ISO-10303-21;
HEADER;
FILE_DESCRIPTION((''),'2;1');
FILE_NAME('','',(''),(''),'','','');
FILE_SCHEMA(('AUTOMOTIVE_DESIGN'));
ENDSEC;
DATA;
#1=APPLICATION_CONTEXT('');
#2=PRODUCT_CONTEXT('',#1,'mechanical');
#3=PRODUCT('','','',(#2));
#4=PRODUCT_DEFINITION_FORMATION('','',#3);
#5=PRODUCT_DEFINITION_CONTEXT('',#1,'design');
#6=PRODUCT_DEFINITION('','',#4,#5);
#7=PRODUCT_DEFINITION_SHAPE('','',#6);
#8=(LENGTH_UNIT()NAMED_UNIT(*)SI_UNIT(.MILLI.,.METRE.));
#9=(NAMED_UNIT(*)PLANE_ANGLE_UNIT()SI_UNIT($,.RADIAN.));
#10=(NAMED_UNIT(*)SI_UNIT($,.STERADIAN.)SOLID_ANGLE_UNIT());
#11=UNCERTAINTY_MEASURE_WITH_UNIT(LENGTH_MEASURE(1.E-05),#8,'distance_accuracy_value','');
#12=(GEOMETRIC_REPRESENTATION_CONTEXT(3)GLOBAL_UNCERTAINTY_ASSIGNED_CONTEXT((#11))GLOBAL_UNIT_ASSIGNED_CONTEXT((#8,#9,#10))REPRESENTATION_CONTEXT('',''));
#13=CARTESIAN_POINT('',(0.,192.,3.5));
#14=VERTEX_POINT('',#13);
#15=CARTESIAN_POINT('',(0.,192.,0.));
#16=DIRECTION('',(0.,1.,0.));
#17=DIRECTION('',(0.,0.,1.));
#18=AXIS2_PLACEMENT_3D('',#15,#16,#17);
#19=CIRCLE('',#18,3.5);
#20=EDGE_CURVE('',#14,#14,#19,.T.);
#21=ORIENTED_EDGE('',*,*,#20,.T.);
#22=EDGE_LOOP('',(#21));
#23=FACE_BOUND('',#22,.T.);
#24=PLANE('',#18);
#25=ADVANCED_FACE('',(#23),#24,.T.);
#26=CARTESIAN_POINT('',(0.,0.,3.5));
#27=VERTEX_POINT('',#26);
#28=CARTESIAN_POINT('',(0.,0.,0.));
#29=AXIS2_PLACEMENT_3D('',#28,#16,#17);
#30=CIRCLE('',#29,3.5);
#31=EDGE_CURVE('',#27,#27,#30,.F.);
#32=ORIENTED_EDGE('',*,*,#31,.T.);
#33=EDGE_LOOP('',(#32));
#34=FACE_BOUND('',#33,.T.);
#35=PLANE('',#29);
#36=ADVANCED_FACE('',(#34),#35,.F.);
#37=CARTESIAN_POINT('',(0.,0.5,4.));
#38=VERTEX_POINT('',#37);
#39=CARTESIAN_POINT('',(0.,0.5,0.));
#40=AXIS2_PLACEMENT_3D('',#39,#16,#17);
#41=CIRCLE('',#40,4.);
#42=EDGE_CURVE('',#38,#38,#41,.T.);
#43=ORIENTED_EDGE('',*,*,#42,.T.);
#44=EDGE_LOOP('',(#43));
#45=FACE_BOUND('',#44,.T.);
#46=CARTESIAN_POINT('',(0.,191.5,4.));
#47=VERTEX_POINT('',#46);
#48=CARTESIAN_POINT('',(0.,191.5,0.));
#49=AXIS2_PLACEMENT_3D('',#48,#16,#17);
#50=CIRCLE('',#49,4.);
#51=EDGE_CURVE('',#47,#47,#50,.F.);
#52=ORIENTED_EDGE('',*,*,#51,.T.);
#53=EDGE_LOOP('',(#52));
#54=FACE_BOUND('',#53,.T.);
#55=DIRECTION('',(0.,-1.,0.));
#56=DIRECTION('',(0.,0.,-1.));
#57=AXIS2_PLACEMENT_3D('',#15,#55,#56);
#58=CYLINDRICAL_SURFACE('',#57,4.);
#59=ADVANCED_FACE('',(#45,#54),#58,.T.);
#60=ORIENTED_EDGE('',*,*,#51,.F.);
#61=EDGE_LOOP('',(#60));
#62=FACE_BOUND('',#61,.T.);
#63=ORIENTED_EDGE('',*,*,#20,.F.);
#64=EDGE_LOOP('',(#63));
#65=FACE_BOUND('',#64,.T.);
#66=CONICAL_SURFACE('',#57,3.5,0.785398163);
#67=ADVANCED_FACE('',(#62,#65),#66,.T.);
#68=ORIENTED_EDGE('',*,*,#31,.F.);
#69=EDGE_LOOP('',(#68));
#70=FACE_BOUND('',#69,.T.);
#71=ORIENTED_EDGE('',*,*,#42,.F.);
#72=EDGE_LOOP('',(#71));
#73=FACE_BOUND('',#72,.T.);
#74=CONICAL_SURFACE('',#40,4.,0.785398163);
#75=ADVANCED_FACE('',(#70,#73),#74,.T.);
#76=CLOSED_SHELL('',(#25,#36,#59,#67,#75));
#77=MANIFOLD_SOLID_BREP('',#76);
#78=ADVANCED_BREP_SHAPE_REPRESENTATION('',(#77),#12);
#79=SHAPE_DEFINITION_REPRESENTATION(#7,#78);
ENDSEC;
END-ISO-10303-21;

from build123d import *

# Parameters (mm, degrees)
SKETCH1_R           = 4
BOSS_EXTRUDE1_DEPTH = 192
CHAMFER1_SIZE       = 0.5


with BuildPart() as part:
    # Sketch1 → Boss-Extrude1 (new body)
    with BuildSketch(Plane(origin=(0, 0, 0), x_dir=(1, 0, 0), z_dir=(0, 1, 0))):
        Circle(SKETCH1_R)
    extrude(amount=BOSS_EXTRUDE1_DEPTH)

    # Chamfer1
    chamfer1_edges = [part.edges().sort_by_distance(p)[0] for p in [
        (-4, 0, 0),
        (-4, 192, 0),
    ]]
    chamfer(chamfer1_edges, length=CHAMFER1_SIZE)


solid = part.part
